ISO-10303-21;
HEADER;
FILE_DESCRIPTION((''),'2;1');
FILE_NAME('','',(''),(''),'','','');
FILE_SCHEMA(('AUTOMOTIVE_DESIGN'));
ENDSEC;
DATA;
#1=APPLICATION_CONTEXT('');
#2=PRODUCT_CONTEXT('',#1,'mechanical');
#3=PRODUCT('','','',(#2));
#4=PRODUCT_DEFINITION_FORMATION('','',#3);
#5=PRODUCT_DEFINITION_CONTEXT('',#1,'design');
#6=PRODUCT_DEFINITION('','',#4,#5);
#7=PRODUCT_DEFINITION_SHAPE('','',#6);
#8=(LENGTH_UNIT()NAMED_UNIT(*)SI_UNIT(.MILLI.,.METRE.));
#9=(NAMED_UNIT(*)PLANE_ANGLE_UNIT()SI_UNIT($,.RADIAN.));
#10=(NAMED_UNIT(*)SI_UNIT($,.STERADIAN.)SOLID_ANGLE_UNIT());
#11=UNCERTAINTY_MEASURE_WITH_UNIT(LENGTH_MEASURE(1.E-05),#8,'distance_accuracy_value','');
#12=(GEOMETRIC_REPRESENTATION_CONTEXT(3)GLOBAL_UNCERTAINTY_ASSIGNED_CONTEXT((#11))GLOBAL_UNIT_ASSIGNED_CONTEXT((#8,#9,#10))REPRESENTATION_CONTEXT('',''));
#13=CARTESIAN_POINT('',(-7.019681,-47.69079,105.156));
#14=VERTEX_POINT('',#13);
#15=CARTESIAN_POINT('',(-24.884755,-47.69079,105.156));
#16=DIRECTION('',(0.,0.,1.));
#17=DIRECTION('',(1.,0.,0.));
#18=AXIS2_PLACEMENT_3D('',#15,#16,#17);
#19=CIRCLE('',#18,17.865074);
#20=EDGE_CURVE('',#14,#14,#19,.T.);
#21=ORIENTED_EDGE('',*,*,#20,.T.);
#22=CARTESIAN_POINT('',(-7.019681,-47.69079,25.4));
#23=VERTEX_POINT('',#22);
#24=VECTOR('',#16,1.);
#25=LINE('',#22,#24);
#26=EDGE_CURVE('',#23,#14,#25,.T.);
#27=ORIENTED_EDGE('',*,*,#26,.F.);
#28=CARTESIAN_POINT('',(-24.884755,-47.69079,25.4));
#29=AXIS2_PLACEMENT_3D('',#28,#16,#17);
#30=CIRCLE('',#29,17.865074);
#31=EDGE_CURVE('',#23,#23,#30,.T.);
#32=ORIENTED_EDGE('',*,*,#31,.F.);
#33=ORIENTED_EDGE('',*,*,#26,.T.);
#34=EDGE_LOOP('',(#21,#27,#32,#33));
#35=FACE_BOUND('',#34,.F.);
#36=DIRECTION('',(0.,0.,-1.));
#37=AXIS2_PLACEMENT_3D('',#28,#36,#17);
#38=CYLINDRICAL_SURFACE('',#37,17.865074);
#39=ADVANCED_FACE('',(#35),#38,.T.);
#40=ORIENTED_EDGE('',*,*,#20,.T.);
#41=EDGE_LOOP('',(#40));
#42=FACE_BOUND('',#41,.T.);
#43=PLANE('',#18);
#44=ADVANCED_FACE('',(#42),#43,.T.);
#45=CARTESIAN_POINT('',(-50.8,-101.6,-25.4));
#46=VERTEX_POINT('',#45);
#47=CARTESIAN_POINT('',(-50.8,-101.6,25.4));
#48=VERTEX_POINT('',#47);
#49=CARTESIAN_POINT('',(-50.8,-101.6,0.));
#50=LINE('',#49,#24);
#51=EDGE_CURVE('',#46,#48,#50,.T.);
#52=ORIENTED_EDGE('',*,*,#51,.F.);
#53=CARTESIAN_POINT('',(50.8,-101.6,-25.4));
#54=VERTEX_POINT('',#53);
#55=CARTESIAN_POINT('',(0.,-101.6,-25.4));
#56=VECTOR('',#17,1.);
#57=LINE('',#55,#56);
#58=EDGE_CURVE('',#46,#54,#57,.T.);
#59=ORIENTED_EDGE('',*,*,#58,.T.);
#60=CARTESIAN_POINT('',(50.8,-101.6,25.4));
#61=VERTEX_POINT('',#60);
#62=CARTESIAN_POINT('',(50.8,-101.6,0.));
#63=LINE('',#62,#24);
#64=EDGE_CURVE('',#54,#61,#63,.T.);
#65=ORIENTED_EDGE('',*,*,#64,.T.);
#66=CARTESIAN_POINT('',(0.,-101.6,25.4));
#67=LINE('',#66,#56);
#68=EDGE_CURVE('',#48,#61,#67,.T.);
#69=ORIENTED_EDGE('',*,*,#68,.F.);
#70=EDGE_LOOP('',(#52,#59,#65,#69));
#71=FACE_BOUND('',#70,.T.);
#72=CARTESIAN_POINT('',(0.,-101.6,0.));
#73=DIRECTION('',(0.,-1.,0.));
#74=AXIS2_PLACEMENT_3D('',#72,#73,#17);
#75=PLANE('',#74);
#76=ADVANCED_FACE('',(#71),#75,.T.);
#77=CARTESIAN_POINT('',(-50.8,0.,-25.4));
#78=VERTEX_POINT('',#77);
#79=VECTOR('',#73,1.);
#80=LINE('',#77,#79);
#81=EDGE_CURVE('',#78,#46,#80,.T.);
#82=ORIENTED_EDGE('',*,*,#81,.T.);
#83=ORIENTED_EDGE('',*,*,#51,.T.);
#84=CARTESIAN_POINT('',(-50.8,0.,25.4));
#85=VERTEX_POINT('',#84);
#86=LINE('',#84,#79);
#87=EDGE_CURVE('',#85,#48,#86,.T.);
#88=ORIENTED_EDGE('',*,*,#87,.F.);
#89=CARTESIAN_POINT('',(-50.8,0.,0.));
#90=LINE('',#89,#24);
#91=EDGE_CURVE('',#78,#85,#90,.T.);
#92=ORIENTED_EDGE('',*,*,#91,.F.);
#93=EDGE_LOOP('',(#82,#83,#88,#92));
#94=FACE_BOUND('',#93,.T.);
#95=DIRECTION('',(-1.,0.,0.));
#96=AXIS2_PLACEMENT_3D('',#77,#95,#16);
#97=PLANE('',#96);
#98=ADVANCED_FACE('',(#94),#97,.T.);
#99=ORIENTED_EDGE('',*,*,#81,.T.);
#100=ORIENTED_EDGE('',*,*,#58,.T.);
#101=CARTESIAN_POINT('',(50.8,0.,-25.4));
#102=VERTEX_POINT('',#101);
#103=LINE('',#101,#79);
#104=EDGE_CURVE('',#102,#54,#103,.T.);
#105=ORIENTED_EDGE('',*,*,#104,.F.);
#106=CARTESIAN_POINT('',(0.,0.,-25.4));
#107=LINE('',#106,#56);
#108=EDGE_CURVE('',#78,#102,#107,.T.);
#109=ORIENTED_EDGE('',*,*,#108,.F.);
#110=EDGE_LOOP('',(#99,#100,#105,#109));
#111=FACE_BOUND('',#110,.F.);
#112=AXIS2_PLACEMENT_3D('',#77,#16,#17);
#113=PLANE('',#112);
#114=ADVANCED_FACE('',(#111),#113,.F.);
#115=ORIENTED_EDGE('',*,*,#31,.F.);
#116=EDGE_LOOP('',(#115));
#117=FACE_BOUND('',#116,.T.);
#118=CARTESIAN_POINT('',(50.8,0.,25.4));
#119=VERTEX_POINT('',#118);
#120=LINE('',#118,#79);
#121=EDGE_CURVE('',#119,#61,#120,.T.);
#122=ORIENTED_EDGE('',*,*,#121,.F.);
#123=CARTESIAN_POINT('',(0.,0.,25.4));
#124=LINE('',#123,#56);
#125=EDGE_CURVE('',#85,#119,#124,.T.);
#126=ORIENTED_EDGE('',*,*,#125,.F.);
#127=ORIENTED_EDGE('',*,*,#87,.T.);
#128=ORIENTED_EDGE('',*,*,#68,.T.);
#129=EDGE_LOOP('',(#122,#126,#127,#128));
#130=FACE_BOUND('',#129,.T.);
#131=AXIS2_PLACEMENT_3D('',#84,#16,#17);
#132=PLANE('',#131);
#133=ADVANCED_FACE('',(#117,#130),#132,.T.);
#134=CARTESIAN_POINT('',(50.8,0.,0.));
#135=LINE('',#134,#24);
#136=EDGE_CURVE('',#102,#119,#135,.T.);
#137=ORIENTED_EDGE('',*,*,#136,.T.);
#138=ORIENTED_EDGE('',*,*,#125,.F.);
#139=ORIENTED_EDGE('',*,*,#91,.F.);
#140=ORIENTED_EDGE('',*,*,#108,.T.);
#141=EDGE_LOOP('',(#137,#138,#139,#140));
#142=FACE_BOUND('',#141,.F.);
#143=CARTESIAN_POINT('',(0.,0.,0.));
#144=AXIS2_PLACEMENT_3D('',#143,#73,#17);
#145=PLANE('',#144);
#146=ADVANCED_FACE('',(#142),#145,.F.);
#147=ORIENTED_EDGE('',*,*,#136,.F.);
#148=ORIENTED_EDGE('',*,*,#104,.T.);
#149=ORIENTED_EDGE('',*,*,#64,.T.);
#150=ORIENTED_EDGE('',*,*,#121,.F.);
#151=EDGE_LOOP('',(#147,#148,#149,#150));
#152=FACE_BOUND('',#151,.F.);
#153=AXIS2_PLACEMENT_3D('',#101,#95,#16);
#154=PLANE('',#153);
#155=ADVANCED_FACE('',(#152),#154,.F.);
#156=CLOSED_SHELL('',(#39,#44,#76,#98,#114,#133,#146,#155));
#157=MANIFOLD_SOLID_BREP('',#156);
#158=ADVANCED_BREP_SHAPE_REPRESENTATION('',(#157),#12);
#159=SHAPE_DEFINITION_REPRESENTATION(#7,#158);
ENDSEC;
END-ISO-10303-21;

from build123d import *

# Parameters (mm, degrees)
F0_W     = 101.6
F0_H     = 50.8
F1_DEPTH = 101.6
F2_R     = 17.865074
F3_DEPTH = 79.756


with BuildPart() as f1:
    # F0 (on Front) → F1 (new body)
    with BuildSketch(Plane.XZ):
        Rectangle(F0_W, F0_H)
    extrude(amount=F1_DEPTH)

    # F2 (on face) → F3 (join)
    with BuildSketch(Plane.XY.offset(25.4)):
        with Locations((-24.884755, -47.69079)):
            Circle(F2_R)
    extrude(amount=F3_DEPTH)


solid = f1.part
